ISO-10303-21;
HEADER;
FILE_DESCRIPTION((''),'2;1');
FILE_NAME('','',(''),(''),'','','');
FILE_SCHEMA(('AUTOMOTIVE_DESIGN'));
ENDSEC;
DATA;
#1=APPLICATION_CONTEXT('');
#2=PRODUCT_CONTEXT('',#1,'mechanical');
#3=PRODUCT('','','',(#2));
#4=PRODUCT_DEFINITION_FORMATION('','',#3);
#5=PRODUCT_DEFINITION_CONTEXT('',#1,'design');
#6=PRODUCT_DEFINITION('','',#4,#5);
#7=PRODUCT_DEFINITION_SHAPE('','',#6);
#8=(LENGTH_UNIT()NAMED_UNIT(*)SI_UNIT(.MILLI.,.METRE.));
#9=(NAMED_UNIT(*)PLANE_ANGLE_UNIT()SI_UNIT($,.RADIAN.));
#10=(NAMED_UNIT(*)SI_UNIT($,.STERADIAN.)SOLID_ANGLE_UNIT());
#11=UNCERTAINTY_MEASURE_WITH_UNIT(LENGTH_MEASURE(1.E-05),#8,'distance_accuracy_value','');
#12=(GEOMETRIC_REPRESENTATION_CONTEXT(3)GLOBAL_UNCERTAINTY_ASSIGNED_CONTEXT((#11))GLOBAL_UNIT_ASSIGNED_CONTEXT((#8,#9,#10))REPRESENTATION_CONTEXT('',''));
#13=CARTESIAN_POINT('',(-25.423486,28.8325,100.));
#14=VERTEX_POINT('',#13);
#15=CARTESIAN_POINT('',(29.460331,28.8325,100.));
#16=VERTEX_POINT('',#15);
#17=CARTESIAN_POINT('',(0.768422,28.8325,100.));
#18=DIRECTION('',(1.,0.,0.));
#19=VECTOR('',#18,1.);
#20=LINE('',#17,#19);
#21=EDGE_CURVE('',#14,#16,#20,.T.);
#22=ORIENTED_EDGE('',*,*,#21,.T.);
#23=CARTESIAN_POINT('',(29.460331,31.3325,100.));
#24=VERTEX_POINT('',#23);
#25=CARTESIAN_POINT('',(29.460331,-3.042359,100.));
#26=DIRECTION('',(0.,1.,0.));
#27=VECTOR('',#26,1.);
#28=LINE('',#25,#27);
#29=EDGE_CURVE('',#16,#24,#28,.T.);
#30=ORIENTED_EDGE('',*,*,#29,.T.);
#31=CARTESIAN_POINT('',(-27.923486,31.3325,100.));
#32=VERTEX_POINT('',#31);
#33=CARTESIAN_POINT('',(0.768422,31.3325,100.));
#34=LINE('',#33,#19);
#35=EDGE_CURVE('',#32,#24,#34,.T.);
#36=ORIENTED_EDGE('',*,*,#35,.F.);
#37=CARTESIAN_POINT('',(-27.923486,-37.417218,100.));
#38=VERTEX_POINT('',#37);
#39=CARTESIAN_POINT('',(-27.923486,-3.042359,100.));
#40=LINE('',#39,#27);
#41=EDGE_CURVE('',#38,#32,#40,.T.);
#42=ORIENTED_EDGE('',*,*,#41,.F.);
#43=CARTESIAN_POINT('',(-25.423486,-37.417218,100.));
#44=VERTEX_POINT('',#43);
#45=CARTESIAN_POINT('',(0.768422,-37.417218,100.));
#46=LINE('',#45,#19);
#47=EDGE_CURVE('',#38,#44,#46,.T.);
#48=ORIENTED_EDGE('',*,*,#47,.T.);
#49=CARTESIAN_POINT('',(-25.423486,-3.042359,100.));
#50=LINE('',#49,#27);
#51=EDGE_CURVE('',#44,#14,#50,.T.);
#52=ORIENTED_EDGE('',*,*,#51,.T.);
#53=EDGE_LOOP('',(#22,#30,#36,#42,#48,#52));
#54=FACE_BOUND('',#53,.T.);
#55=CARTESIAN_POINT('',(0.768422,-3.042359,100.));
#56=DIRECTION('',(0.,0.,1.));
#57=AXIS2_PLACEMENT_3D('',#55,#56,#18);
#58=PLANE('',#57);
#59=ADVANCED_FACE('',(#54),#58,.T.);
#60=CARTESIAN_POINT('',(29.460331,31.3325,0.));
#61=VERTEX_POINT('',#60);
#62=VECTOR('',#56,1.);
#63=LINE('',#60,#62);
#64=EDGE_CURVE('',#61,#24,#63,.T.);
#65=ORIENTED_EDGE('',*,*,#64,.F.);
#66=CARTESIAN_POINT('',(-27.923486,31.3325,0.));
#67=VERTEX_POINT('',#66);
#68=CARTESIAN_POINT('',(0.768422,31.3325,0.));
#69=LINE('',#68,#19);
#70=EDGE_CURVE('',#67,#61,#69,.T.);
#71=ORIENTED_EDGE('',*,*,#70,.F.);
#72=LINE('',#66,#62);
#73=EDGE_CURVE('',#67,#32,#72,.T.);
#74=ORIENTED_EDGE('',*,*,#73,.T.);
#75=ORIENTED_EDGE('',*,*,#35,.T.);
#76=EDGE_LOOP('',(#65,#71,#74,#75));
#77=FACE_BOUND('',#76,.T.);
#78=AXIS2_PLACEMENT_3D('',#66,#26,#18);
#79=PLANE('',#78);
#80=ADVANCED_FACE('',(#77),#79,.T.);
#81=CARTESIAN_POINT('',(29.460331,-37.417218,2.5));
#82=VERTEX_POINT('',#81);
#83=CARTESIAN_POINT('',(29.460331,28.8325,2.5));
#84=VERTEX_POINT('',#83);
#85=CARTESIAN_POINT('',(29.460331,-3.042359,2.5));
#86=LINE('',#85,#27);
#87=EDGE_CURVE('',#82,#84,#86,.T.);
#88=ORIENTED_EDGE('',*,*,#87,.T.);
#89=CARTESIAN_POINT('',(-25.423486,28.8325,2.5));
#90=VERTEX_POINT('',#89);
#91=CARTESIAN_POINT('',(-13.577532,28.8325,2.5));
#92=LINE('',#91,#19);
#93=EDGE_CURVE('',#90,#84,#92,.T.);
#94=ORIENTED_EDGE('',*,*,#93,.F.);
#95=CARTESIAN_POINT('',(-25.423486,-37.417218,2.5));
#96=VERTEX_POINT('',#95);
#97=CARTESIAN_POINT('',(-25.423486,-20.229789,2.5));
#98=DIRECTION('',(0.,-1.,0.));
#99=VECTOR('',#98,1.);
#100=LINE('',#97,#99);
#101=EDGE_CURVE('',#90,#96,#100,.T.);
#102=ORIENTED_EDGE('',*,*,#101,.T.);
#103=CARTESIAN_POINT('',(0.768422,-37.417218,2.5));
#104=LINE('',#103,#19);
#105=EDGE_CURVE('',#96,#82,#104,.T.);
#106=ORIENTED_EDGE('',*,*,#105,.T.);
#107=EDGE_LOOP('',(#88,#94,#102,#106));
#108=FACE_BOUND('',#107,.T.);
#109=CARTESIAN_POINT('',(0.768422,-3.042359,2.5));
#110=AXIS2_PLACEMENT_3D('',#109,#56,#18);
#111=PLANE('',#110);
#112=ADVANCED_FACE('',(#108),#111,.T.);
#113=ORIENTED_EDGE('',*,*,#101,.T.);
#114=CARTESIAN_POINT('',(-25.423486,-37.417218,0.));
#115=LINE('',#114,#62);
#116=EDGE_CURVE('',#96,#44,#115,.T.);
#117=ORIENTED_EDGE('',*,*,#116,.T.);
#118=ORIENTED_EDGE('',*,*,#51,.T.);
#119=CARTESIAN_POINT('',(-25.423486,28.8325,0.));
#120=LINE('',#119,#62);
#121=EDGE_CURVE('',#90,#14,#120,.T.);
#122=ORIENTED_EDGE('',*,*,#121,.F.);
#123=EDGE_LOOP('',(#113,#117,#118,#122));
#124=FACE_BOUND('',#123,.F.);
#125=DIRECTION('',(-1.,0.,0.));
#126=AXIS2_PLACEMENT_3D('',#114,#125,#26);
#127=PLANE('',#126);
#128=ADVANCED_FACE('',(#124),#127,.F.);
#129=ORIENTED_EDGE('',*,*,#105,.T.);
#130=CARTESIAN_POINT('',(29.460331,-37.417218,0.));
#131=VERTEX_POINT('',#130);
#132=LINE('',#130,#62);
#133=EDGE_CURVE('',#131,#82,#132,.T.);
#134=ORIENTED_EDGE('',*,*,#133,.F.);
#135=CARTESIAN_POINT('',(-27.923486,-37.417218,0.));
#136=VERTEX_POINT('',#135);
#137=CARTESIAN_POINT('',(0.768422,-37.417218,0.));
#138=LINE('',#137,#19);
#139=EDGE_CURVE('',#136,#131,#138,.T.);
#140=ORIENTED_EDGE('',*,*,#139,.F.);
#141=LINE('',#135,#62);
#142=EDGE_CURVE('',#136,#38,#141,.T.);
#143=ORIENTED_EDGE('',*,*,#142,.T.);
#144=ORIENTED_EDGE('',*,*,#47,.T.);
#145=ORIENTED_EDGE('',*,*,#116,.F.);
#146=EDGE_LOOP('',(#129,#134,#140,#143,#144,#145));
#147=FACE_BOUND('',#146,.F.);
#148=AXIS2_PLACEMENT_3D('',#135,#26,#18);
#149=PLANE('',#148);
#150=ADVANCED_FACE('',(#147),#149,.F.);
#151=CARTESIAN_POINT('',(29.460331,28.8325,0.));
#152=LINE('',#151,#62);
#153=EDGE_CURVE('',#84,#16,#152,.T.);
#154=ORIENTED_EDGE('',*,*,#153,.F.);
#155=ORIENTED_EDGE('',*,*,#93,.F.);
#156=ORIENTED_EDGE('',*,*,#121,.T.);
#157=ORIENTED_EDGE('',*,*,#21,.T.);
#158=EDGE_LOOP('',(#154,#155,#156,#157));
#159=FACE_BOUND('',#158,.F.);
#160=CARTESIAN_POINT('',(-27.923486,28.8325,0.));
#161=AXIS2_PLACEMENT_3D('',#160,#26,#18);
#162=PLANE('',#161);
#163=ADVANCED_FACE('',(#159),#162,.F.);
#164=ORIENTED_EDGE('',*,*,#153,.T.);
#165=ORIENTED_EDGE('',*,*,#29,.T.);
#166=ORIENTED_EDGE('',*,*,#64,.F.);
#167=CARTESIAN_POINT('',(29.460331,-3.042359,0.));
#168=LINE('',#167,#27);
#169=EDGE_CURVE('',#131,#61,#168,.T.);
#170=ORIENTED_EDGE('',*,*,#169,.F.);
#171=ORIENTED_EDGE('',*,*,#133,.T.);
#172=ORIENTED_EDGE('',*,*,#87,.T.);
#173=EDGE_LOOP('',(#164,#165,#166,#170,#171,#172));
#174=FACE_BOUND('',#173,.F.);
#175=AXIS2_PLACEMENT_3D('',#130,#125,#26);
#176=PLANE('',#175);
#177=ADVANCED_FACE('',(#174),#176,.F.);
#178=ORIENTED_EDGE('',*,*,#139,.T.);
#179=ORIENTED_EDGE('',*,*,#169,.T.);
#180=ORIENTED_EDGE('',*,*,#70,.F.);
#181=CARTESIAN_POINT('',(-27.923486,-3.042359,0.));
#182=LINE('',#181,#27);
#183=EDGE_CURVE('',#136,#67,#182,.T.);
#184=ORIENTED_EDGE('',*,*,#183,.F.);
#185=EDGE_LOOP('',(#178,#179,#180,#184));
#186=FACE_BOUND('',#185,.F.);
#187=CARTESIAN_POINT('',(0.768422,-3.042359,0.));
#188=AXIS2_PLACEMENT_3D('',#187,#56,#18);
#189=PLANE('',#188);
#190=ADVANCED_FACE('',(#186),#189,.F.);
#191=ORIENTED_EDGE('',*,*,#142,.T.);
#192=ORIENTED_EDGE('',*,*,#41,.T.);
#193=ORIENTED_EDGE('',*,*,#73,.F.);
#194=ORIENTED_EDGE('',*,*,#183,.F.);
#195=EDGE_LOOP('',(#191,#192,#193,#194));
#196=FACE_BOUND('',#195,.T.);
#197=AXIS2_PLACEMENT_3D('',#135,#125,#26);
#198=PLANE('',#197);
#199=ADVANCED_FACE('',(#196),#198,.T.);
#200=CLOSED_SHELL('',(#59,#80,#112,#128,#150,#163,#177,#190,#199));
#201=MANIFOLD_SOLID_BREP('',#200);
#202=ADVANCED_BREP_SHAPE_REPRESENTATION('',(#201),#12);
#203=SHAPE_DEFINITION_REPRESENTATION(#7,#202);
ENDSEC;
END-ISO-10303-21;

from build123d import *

# Parameters (mm, degrees)
F0_W     = 57.383817
F0_H     = 68.749718
F1_DEPTH = 100
F2_T     = -2.5


with BuildPart() as f1:
    # F0 (on Top) → F1 (new body)
    with BuildSketch(Plane.XY):
        with Locations((0.768422, -3.042359)):
            Rectangle(F0_W, F0_H)
    extrude(amount=F1_DEPTH)

    # F2
    f2_openings = [f1.faces().sort_by_distance(p)[0] for p in [
        (0.768421, -3.042359, 100),
        (29.46033, -3.042359, 50),
        (0.768421, -37.417218, 50),
    ]]
    offset(amount=F2_T, openings=f2_openings)


solid = f1.part
